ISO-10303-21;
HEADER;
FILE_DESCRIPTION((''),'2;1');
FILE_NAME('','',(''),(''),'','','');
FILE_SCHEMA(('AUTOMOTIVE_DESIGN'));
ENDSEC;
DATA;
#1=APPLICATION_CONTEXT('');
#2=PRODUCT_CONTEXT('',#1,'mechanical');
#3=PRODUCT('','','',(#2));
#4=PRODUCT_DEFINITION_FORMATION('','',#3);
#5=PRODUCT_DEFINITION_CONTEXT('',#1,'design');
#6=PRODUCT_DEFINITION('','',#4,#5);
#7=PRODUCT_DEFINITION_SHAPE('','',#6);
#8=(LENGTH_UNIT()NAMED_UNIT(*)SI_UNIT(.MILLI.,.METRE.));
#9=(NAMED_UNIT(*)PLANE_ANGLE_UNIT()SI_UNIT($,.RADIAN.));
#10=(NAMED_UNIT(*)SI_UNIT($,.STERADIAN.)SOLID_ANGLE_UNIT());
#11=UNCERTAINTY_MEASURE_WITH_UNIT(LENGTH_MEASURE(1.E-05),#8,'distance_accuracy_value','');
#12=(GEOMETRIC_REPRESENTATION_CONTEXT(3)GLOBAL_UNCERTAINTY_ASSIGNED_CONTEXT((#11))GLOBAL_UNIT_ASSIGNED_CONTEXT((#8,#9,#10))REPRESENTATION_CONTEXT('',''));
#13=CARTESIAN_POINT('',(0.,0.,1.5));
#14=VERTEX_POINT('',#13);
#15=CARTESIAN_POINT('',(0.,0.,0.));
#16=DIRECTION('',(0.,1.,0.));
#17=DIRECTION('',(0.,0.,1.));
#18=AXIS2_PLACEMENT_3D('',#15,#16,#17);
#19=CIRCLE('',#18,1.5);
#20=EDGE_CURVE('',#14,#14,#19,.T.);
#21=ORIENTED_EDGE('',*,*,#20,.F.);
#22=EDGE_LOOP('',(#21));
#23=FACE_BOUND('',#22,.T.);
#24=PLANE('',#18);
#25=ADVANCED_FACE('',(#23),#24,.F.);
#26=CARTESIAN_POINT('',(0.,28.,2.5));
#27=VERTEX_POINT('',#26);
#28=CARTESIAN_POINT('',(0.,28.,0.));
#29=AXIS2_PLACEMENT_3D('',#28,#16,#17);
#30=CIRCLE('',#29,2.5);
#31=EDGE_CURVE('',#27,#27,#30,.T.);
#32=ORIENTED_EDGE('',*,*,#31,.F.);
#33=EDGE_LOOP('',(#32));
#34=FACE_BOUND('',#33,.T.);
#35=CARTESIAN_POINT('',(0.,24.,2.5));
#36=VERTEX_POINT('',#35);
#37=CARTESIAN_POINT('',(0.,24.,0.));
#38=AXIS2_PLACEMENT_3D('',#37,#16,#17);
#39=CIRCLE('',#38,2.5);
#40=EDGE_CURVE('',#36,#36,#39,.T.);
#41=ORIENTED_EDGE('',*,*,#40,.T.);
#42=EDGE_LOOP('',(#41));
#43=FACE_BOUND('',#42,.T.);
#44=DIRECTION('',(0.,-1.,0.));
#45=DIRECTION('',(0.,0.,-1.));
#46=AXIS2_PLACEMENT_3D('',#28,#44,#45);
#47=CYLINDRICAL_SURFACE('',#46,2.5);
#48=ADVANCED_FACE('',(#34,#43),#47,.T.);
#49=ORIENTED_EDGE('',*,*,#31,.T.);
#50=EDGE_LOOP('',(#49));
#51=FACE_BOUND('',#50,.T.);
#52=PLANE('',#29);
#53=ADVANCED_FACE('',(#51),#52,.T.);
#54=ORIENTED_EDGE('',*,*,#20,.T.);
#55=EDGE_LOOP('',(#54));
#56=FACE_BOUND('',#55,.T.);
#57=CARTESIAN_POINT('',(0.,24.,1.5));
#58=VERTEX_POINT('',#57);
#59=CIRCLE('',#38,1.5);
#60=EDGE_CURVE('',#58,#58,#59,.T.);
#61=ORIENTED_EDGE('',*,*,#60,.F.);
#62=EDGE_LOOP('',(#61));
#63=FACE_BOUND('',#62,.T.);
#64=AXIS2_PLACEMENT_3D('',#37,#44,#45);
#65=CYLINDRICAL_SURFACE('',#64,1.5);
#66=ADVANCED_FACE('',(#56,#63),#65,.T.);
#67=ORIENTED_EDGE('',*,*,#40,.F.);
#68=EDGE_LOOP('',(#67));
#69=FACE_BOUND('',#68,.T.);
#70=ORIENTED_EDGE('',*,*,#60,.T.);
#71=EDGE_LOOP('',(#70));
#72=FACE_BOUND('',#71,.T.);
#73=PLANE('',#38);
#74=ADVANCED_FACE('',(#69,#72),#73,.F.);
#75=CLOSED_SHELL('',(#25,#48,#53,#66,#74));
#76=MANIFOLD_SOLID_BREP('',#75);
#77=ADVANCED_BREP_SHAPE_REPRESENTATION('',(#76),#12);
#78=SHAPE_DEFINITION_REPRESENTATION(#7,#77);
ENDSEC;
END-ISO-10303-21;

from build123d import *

# Parameters (mm, degrees)
SCHIZZO1_R                   = 1.5
ESTRUSIONE_ESTRUSIONE1_DEPTH = 24
SCHIZZO2_R                   = 2.5
ESTRUSIONE_ESTRUSIONE2_DEPTH = 4


with BuildPart() as part:
    # Schizzo1 → Estrusione-Estrusione1 (new body)
    with BuildSketch(Plane(origin=(0, 0, 0), x_dir=(1, 0, 0), z_dir=(0, 1, 0))):
        with Locations(Location((0, 0, 0), (0, 0, 270))):
            Circle(SCHIZZO1_R)
    extrude(amount=ESTRUSIONE_ESTRUSIONE1_DEPTH)

    # Schizzo2 → Estrusione-Estrusione2 (add)
    with BuildSketch(Plane(origin=(0, 24, 0), x_dir=(1, 0, 0), z_dir=(0, 1, 0))):
        with Locations(Location((0, 0, 0), (0, 0, 270))):
            Circle(SCHIZZO2_R)
    extrude(amount=ESTRUSIONE_ESTRUSIONE2_DEPTH)


solid = part.part
